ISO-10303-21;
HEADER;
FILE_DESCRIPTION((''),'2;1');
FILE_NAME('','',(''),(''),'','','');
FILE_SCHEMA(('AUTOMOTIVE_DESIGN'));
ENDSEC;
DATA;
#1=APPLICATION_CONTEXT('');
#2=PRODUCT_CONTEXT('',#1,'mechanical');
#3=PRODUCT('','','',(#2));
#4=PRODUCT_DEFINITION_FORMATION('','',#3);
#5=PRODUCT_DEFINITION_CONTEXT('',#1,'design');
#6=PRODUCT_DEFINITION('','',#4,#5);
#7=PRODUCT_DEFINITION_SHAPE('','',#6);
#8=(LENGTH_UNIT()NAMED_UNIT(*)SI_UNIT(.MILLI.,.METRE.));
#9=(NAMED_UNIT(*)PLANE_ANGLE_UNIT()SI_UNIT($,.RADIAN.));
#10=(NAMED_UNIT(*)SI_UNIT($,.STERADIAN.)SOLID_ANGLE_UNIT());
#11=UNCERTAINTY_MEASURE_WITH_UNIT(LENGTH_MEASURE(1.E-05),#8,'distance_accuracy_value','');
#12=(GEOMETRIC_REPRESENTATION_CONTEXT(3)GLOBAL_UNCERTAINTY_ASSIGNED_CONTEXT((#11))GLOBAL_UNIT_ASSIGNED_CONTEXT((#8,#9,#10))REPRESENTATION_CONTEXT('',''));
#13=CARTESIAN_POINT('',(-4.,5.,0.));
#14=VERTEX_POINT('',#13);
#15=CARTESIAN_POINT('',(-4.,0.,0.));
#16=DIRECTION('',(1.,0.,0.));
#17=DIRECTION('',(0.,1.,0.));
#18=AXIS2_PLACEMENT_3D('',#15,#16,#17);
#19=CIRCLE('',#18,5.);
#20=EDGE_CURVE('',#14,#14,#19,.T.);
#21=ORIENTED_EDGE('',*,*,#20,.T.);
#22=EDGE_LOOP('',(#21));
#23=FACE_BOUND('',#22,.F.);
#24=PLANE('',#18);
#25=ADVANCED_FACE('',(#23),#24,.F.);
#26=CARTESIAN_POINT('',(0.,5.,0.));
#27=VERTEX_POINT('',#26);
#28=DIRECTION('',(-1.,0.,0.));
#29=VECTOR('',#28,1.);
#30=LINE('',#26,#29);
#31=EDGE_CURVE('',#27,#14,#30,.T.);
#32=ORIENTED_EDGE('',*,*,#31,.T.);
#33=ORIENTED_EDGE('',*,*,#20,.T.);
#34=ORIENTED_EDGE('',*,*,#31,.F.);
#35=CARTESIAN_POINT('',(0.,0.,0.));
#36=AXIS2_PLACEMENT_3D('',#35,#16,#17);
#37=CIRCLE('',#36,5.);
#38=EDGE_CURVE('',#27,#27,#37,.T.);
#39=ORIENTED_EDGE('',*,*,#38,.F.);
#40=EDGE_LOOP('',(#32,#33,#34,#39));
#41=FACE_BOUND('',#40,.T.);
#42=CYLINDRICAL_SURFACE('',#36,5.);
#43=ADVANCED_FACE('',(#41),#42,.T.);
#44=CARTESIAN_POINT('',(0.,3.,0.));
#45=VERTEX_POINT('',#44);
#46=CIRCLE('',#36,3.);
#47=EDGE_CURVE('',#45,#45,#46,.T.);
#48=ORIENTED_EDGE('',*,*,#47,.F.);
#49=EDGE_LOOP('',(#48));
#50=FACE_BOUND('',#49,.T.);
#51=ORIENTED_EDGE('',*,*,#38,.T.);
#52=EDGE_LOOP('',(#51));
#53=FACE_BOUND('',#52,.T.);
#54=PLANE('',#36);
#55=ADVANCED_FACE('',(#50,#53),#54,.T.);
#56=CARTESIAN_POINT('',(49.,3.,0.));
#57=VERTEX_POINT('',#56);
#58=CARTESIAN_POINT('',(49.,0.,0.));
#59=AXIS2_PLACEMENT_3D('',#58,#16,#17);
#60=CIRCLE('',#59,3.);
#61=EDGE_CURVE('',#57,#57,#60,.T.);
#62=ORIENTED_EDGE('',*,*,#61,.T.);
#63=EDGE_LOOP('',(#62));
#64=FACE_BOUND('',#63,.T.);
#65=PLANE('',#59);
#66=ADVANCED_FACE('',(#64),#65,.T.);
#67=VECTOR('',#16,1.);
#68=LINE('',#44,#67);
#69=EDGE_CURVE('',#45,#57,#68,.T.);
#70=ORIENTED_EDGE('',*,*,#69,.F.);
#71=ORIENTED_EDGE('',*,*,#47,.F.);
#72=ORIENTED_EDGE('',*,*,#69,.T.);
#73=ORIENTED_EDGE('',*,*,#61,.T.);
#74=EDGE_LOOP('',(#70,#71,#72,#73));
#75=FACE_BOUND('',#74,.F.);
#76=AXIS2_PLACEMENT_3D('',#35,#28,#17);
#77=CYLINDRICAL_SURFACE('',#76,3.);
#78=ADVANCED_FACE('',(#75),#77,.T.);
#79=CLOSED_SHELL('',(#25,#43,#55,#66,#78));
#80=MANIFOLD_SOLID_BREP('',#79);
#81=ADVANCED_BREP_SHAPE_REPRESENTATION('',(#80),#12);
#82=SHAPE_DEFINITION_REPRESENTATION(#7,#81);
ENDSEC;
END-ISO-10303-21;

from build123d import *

# Parameters (mm, degrees)
F0_R     = 3
F1_DEPTH = 49
F0_R_2   = 5
F2_DEPTH = 4


with BuildPart() as f1:
    # F0 (on Right) → F1 (new body)
    with BuildSketch(Plane.YZ):
        Circle(F0_R)
    extrude(amount=F1_DEPTH)

    # F0 (on Right) → F2 (join)
    with BuildSketch(Plane.YZ):
        Circle(F0_R_2)
        Circle(F0_R, mode=Mode.SUBTRACT)
        Circle(F0_R)
    extrude(amount=-F2_DEPTH)


solid = f1.part
